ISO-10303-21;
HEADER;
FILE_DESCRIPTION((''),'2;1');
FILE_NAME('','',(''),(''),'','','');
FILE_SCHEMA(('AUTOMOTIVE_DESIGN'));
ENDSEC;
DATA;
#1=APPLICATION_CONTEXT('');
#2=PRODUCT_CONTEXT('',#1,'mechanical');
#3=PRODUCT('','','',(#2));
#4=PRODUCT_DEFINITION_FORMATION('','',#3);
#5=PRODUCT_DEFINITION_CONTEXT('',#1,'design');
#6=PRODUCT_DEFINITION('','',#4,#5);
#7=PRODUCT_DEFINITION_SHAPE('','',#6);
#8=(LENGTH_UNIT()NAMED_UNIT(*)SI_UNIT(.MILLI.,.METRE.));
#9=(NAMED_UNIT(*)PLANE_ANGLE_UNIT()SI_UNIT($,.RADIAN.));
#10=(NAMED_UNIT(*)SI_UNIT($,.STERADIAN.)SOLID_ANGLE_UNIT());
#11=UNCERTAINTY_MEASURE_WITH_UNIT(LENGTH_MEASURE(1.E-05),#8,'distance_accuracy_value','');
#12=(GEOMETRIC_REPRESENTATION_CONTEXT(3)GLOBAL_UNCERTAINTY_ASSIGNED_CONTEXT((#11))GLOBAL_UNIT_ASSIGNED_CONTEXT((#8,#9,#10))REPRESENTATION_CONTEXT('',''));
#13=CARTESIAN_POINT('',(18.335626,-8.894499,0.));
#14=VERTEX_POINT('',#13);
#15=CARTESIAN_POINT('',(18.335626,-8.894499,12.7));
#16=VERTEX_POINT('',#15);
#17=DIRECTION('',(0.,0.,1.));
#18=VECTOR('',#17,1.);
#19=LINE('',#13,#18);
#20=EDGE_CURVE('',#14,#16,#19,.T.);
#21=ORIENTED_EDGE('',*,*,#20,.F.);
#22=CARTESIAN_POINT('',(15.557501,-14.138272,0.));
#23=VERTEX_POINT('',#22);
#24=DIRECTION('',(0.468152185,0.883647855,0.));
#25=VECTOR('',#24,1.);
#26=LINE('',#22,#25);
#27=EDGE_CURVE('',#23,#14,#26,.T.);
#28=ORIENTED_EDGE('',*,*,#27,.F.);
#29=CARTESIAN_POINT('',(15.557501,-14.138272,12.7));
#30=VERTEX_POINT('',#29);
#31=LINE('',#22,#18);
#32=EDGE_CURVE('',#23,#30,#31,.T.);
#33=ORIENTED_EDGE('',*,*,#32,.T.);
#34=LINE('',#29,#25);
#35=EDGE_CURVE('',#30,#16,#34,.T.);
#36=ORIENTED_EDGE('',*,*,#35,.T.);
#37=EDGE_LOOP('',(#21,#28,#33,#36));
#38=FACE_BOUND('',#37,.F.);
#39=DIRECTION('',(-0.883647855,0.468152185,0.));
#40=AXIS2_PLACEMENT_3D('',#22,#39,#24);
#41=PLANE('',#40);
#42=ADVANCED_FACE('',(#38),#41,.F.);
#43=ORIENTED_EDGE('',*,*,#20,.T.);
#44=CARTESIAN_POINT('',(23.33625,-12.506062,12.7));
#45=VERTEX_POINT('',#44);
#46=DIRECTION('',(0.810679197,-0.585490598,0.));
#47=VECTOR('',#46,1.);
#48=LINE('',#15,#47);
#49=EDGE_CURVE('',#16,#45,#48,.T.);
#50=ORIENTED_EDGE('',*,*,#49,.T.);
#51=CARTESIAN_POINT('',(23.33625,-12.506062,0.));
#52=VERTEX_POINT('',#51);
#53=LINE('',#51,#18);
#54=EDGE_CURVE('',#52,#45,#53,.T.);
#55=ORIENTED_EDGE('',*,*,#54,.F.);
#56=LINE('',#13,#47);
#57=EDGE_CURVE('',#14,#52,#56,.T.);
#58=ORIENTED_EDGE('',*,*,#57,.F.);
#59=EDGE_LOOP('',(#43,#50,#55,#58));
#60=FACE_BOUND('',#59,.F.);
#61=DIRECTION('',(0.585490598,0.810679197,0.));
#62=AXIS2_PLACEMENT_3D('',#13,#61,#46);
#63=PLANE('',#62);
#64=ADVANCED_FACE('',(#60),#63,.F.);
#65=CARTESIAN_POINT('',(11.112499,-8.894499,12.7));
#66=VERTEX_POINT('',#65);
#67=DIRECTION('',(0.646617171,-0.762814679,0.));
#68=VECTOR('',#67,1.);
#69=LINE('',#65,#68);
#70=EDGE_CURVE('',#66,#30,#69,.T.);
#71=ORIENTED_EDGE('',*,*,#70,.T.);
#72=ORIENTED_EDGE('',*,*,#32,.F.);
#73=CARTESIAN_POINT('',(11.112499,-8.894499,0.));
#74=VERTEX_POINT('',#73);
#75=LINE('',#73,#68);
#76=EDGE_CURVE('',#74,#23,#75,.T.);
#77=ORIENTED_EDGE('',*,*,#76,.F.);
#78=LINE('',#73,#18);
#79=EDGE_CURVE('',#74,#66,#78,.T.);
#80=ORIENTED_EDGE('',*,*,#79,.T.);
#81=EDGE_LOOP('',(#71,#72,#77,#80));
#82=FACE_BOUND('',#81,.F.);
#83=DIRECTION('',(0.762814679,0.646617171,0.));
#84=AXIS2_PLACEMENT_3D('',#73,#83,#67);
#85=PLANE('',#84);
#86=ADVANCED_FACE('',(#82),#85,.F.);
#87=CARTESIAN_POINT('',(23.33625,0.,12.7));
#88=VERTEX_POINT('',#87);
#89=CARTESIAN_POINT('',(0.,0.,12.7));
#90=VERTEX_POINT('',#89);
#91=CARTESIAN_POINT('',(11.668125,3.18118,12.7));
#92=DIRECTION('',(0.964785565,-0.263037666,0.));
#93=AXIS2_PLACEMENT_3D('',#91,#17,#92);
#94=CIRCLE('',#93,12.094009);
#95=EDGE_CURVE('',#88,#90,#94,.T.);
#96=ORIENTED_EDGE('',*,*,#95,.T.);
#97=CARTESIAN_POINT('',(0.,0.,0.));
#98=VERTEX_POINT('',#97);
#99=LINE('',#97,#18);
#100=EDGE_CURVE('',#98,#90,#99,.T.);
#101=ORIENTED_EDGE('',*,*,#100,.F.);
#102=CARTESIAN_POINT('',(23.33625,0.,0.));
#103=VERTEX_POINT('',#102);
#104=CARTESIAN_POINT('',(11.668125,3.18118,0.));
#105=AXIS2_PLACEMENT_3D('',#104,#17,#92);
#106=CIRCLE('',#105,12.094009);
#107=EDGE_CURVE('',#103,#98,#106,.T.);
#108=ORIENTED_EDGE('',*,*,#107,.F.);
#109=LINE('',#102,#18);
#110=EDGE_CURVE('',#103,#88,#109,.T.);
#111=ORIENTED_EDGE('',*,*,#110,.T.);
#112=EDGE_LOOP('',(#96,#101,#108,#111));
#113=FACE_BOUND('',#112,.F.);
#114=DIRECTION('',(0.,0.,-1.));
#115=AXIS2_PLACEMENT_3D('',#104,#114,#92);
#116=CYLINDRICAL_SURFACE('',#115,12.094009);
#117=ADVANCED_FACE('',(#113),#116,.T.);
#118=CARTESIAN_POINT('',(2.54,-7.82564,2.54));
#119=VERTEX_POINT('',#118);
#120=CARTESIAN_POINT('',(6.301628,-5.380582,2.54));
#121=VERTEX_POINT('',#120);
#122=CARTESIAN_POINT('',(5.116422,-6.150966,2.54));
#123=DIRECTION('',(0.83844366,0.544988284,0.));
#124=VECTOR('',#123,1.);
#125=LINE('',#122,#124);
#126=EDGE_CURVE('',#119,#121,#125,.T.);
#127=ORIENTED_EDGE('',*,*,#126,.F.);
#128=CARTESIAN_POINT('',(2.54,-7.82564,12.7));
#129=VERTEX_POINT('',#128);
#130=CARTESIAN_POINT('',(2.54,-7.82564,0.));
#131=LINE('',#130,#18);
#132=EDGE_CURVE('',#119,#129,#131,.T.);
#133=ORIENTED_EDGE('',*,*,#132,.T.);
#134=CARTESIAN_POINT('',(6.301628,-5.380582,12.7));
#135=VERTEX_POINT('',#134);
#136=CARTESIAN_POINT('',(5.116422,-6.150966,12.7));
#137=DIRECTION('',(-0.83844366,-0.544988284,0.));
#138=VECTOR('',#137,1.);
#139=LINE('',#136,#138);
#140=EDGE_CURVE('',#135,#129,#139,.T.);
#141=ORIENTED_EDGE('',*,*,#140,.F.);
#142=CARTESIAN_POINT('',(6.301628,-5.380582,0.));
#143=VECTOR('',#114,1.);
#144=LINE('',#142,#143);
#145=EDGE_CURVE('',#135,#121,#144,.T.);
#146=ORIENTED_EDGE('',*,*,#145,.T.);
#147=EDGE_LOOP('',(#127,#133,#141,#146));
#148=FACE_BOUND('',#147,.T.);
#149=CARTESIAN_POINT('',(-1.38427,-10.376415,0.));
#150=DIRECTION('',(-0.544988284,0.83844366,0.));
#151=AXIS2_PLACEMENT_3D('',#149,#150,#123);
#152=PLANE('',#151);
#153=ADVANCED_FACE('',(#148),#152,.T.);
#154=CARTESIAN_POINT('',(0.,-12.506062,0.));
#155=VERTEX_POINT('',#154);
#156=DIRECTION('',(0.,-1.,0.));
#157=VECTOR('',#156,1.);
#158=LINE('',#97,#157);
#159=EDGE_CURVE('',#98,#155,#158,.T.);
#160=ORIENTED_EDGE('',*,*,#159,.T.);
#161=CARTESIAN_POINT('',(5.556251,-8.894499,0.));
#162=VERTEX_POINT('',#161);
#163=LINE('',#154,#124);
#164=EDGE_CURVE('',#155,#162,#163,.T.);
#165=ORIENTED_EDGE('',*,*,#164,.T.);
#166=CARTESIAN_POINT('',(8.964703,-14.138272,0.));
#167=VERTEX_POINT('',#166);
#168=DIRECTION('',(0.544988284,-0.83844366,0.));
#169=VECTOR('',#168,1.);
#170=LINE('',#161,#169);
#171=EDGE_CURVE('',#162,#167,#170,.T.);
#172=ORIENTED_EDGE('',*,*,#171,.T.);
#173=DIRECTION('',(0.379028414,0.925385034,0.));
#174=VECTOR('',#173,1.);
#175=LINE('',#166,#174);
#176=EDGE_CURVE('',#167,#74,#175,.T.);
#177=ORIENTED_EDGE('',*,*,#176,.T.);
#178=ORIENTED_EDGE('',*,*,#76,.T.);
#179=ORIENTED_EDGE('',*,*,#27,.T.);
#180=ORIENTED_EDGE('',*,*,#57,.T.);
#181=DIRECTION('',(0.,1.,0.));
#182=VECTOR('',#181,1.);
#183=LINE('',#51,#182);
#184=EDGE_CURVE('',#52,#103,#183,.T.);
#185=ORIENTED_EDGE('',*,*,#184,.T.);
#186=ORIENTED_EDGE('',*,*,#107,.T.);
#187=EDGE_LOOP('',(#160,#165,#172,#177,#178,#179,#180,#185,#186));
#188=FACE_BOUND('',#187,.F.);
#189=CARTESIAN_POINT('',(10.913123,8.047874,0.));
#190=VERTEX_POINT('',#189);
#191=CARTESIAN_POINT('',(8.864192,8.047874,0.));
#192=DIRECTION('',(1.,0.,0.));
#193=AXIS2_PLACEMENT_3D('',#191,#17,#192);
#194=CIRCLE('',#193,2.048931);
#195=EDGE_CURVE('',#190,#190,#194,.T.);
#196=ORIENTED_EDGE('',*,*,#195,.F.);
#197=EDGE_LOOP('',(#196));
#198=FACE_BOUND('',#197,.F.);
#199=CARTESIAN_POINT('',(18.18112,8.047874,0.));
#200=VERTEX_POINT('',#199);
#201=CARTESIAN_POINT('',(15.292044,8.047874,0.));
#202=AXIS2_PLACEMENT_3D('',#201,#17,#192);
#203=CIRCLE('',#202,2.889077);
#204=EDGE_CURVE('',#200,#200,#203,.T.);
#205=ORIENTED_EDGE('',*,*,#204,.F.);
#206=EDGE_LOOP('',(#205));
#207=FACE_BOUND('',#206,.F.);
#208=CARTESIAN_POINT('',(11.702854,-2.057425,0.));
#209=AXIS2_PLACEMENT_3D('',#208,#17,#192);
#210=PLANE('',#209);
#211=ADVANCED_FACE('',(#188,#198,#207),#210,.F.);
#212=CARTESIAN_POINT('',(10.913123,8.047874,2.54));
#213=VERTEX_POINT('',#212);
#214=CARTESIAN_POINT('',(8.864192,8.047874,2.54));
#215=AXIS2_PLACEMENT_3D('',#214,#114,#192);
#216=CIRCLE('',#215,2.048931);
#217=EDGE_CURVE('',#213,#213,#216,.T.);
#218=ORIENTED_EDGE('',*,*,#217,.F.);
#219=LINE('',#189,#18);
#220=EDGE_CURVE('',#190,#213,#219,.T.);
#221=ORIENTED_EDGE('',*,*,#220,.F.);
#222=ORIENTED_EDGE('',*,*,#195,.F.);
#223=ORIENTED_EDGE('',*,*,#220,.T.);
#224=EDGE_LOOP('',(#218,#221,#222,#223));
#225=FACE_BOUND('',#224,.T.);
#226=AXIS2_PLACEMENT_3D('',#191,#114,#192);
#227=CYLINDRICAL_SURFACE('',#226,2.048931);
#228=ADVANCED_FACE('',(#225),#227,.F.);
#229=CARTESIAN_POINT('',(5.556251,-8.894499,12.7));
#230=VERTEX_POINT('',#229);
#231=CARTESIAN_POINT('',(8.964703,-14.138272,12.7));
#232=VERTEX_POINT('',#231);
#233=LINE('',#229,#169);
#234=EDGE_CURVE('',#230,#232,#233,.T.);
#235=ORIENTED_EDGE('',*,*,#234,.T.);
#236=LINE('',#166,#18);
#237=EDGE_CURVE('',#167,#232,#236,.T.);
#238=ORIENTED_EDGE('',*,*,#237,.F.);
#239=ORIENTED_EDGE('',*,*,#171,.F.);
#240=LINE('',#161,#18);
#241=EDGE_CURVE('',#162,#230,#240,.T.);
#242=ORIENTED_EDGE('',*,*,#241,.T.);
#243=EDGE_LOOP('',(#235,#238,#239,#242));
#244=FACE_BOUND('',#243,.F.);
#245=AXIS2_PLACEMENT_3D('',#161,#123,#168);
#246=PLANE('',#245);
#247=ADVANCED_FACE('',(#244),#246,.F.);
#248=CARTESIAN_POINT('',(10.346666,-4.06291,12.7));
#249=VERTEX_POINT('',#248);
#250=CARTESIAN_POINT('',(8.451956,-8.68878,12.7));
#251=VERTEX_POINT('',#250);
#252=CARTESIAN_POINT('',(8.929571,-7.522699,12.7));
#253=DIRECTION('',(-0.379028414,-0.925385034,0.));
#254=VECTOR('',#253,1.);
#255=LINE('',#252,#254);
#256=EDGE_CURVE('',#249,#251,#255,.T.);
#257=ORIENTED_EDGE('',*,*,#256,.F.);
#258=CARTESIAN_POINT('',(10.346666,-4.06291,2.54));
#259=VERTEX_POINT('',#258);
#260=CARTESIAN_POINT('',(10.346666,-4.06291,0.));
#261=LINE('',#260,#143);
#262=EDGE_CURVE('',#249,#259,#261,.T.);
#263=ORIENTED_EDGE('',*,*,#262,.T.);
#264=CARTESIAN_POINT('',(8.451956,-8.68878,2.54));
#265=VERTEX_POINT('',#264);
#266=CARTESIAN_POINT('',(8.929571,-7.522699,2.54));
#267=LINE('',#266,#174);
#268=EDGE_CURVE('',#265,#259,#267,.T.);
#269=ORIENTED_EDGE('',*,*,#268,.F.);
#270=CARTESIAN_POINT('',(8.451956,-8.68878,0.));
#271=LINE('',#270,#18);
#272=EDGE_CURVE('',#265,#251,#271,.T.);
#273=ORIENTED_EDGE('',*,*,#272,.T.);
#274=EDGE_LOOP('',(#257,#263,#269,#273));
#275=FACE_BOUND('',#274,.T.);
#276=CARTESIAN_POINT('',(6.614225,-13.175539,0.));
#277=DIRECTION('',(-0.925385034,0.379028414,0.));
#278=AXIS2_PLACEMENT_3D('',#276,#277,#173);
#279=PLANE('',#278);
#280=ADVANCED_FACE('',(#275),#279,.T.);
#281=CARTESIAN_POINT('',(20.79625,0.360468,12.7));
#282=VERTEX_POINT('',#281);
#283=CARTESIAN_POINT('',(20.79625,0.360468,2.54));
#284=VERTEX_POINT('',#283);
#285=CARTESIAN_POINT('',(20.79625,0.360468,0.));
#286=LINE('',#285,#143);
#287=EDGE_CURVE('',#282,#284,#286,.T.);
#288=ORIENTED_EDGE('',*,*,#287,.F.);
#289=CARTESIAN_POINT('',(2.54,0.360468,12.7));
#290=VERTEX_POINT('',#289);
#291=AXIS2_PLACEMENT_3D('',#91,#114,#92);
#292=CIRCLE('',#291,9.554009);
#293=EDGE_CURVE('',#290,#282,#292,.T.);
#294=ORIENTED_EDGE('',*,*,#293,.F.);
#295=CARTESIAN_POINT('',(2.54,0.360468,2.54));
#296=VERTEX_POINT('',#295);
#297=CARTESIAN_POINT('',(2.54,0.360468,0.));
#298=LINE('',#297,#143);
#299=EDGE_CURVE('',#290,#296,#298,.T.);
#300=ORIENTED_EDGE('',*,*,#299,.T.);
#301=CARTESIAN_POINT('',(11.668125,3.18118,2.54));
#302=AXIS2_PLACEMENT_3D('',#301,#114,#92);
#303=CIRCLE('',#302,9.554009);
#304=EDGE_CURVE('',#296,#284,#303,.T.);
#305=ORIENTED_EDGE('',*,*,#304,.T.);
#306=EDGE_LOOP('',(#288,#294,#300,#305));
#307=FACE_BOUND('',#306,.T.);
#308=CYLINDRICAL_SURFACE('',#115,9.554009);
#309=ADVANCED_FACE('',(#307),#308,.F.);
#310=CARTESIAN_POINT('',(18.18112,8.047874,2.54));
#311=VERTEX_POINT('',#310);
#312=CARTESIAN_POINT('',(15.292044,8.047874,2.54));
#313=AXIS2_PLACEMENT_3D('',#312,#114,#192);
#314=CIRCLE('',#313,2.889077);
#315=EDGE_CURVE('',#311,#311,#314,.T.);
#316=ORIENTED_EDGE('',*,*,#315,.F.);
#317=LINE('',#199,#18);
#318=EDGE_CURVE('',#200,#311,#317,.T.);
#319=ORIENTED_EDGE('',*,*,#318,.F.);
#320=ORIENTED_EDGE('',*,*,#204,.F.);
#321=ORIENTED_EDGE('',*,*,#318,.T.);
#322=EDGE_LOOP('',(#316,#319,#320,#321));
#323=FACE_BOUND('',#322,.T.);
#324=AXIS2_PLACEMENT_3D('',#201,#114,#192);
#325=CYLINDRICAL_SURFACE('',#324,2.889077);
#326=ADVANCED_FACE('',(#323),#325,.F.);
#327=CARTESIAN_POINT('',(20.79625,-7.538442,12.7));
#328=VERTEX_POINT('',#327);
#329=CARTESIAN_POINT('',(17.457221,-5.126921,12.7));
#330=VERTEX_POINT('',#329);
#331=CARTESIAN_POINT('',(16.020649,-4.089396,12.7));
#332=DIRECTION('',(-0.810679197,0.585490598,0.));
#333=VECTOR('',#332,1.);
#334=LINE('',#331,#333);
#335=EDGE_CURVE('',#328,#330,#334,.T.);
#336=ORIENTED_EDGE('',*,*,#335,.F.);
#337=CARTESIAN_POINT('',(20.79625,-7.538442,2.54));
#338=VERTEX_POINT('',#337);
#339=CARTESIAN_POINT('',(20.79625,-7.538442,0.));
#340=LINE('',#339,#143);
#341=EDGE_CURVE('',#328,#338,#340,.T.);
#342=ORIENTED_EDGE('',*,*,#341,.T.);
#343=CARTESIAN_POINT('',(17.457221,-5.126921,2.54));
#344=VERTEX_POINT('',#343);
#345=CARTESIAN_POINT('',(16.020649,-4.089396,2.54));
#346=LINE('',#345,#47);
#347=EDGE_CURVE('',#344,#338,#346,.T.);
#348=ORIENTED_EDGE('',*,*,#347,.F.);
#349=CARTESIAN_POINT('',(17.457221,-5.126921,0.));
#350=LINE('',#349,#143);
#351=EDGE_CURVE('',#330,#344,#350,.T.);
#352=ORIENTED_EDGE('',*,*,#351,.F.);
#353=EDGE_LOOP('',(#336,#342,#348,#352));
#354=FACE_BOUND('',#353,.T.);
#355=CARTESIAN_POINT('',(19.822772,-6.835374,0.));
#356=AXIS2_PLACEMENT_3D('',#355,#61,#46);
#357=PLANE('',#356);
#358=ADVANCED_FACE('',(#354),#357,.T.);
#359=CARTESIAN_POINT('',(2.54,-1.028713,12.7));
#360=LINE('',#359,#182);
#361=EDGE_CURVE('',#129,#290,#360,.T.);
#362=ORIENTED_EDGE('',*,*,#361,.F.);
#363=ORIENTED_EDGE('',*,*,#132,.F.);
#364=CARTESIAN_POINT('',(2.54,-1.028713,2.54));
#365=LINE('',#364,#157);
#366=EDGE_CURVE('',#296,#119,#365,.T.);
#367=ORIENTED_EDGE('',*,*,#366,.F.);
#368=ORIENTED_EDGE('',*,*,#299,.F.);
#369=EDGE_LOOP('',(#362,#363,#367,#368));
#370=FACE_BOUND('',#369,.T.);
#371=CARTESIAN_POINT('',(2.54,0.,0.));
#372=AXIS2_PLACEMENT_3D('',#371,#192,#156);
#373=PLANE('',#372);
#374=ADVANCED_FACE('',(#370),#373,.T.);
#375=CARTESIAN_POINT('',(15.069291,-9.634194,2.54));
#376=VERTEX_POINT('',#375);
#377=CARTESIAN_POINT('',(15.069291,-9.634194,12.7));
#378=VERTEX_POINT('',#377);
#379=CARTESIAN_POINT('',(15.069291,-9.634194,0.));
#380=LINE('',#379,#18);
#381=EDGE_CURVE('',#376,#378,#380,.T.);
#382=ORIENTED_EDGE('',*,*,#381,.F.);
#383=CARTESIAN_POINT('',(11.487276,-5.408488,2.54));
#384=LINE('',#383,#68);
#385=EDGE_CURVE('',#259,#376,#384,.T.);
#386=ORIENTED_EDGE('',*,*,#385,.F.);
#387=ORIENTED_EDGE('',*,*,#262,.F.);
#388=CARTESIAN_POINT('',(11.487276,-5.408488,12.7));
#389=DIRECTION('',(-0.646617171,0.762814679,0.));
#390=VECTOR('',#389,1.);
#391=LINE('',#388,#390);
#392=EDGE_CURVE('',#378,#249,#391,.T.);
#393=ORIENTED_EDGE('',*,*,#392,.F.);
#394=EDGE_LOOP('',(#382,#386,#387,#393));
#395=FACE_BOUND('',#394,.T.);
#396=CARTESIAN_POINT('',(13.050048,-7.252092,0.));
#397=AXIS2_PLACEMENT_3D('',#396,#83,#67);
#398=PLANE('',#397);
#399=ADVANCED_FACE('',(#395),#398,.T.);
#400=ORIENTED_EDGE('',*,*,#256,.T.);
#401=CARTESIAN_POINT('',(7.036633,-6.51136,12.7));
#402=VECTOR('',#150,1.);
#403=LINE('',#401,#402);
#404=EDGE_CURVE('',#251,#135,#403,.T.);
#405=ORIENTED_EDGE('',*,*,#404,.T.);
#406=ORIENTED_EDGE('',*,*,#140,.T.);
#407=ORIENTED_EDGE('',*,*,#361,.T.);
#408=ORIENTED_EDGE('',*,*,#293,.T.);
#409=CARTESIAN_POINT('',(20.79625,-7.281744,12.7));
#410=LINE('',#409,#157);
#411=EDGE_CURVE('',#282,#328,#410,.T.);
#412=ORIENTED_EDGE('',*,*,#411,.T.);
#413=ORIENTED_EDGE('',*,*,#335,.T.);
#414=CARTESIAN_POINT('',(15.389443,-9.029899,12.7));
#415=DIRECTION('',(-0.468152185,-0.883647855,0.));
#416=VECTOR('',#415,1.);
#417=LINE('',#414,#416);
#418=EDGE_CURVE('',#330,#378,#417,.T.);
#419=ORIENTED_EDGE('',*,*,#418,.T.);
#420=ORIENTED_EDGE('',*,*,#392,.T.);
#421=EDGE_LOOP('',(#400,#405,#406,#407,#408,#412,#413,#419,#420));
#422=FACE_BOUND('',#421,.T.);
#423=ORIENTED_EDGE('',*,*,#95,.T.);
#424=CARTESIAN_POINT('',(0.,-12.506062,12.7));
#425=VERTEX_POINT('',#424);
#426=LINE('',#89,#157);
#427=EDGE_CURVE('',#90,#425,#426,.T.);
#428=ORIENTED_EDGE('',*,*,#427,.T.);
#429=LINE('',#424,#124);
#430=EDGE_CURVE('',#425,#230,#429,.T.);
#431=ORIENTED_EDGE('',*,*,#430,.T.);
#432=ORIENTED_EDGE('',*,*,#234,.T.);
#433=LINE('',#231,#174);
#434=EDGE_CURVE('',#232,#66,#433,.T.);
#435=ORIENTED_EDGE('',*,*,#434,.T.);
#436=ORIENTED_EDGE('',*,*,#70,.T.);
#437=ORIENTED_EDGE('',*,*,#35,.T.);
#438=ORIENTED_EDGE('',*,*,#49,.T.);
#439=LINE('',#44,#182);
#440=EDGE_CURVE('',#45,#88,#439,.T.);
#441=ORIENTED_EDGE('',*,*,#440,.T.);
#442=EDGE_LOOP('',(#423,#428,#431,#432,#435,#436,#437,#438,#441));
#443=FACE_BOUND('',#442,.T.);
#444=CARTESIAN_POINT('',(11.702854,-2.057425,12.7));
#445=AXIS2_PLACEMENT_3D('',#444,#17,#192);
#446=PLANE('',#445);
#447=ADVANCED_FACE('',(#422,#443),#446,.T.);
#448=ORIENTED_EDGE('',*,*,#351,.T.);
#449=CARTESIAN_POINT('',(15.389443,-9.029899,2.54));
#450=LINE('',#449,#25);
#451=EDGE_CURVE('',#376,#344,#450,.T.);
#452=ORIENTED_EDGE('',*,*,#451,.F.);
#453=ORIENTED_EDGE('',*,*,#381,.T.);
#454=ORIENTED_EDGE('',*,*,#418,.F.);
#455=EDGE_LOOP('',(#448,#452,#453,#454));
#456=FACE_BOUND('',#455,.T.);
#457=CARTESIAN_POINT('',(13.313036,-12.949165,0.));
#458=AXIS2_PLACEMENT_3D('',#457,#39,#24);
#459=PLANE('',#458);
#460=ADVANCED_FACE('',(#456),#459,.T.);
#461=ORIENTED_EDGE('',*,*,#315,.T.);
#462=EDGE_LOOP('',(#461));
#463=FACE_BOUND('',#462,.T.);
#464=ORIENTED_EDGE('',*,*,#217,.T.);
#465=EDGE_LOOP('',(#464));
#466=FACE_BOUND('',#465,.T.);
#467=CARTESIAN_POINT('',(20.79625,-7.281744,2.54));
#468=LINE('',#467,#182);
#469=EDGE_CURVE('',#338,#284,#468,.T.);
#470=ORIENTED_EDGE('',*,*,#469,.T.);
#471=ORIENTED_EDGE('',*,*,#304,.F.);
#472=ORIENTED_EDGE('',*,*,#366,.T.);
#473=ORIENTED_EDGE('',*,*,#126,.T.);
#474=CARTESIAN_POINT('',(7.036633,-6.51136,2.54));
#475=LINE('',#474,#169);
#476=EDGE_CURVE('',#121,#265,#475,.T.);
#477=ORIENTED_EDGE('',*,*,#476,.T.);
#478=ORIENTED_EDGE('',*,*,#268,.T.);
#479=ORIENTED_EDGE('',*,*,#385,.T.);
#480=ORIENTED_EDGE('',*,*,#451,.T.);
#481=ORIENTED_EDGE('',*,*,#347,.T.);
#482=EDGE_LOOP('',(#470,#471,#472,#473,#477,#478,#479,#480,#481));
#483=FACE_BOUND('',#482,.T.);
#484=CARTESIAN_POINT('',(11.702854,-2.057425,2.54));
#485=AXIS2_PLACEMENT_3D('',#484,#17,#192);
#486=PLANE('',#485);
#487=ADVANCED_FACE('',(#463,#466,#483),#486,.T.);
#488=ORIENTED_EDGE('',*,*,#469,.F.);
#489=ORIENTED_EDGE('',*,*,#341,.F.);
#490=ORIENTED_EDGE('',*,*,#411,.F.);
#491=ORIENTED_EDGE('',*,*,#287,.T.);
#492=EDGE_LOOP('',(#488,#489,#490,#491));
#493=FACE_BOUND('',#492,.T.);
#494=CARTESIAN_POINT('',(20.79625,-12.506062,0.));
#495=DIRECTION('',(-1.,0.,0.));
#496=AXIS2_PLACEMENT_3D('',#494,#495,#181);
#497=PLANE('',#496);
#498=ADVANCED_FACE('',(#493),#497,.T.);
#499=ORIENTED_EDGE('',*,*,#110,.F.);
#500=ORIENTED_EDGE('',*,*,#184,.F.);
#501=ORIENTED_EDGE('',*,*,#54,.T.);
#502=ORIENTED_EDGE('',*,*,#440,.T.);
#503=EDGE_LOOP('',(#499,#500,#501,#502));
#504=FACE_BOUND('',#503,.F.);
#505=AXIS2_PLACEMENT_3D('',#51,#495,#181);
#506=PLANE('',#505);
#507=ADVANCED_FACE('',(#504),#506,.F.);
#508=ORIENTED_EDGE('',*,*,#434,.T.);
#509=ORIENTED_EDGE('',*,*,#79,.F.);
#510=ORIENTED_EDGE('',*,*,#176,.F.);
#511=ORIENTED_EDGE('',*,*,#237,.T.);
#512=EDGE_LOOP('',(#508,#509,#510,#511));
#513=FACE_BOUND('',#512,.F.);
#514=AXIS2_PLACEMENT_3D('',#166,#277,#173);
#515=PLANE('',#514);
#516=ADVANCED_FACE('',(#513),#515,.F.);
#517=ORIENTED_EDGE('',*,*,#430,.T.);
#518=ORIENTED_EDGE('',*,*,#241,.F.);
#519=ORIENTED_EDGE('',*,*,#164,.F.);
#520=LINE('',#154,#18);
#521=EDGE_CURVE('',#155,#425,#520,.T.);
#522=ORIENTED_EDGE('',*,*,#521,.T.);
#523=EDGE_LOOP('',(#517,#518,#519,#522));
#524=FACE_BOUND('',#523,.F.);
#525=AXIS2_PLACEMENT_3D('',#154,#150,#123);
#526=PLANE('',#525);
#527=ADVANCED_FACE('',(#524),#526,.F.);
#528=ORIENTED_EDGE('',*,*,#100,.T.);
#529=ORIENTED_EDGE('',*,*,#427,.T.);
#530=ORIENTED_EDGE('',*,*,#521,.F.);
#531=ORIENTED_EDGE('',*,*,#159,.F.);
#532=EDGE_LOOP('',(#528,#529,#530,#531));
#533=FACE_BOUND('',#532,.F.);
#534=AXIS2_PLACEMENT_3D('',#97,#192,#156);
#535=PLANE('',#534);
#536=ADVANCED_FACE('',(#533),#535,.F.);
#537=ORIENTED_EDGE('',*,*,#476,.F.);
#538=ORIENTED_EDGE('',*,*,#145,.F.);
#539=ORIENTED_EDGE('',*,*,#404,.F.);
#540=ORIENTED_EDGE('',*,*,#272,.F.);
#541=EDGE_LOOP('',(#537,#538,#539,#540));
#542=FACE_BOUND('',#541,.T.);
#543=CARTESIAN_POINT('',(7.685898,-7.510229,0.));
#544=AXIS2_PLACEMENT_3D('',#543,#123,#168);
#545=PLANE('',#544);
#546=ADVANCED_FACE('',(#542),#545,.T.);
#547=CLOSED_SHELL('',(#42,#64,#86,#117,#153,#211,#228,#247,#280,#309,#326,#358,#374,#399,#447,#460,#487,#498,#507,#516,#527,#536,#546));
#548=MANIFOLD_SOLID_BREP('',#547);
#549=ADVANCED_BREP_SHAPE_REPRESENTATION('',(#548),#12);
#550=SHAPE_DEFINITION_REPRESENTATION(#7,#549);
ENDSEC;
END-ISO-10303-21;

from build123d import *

# Parameters (mm, degrees)
F0_R     = 2.7361365436
F0_R_2   = 5.9630121177
F1_DEPTH = 12.7
F3_T     = -2.54
F2_R     = 2.8890765553
F2_R_2   = 2.0489311255
F4_DEPTH = 61.976


with BuildPart() as f1:
    # F0 (on Top) → F1 (new body)
    with BuildSketch(Plane.XY):
        with BuildLine():
            Line((23.336250335, -12.5060621649), (23.336250335, 0))
            ThreePointArc((23.336250335, 0), (11.6681251675, 15.2751887217), (0, 0))
            Line((0, 0), (0, -12.5060621649))
            Line((0, -12.5060621649), (5.556251388, -8.8944993913))
            Line((5.556251388, -8.8944993913), (8.9647026685, -14.1382715047))
            Line((8.9647026685, -14.1382715047), (11.1124990508, -8.8944993913))
            Line((11.1124990508, -8.8944993913), (15.5575014651, -14.1382715047))
            Line((15.5575014651, -14.1382715047), (18.3356255293, -8.8944993913))
            Line((18.3356255293, -8.8944993913), (23.336250335, -12.5060621649))
        make_face()
        with Locations((4.4449996203, 4.1626878083)):
            Circle(F0_R, mode=Mode.SUBTRACT)
        with Locations((15.5575014651, 4.7183129936)):
            Circle(F0_R_2, mode=Mode.SUBTRACT)
        with Locations((15.5575014651, 4.7183129936)):
            Circle(F0_R_2)
        with Locations((4.4449996203, 4.1626878083)):
            Circle(F0_R)
    extrude(amount=F1_DEPTH)

    # F3
    f3_openings = [f1.faces().sort_by_distance(p)[0] for p in [
        (11.684831, 0.988921, 12.7),
    ]]
    offset(amount=F3_T, openings=f3_openings, kind=Kind.INTERSECTION)

    # F2 (on Top) → F4 (cut)
    with BuildSketch(Plane.XY):
        with Locations((15.2920437977, 8.0478740856)):
            Circle(F2_R)
        with Locations((8.8641922921, 8.0478740856)):
            Circle(F2_R_2)
    extrude(amount=F4_DEPTH, mode=Mode.SUBTRACT)


solid = f1.part
